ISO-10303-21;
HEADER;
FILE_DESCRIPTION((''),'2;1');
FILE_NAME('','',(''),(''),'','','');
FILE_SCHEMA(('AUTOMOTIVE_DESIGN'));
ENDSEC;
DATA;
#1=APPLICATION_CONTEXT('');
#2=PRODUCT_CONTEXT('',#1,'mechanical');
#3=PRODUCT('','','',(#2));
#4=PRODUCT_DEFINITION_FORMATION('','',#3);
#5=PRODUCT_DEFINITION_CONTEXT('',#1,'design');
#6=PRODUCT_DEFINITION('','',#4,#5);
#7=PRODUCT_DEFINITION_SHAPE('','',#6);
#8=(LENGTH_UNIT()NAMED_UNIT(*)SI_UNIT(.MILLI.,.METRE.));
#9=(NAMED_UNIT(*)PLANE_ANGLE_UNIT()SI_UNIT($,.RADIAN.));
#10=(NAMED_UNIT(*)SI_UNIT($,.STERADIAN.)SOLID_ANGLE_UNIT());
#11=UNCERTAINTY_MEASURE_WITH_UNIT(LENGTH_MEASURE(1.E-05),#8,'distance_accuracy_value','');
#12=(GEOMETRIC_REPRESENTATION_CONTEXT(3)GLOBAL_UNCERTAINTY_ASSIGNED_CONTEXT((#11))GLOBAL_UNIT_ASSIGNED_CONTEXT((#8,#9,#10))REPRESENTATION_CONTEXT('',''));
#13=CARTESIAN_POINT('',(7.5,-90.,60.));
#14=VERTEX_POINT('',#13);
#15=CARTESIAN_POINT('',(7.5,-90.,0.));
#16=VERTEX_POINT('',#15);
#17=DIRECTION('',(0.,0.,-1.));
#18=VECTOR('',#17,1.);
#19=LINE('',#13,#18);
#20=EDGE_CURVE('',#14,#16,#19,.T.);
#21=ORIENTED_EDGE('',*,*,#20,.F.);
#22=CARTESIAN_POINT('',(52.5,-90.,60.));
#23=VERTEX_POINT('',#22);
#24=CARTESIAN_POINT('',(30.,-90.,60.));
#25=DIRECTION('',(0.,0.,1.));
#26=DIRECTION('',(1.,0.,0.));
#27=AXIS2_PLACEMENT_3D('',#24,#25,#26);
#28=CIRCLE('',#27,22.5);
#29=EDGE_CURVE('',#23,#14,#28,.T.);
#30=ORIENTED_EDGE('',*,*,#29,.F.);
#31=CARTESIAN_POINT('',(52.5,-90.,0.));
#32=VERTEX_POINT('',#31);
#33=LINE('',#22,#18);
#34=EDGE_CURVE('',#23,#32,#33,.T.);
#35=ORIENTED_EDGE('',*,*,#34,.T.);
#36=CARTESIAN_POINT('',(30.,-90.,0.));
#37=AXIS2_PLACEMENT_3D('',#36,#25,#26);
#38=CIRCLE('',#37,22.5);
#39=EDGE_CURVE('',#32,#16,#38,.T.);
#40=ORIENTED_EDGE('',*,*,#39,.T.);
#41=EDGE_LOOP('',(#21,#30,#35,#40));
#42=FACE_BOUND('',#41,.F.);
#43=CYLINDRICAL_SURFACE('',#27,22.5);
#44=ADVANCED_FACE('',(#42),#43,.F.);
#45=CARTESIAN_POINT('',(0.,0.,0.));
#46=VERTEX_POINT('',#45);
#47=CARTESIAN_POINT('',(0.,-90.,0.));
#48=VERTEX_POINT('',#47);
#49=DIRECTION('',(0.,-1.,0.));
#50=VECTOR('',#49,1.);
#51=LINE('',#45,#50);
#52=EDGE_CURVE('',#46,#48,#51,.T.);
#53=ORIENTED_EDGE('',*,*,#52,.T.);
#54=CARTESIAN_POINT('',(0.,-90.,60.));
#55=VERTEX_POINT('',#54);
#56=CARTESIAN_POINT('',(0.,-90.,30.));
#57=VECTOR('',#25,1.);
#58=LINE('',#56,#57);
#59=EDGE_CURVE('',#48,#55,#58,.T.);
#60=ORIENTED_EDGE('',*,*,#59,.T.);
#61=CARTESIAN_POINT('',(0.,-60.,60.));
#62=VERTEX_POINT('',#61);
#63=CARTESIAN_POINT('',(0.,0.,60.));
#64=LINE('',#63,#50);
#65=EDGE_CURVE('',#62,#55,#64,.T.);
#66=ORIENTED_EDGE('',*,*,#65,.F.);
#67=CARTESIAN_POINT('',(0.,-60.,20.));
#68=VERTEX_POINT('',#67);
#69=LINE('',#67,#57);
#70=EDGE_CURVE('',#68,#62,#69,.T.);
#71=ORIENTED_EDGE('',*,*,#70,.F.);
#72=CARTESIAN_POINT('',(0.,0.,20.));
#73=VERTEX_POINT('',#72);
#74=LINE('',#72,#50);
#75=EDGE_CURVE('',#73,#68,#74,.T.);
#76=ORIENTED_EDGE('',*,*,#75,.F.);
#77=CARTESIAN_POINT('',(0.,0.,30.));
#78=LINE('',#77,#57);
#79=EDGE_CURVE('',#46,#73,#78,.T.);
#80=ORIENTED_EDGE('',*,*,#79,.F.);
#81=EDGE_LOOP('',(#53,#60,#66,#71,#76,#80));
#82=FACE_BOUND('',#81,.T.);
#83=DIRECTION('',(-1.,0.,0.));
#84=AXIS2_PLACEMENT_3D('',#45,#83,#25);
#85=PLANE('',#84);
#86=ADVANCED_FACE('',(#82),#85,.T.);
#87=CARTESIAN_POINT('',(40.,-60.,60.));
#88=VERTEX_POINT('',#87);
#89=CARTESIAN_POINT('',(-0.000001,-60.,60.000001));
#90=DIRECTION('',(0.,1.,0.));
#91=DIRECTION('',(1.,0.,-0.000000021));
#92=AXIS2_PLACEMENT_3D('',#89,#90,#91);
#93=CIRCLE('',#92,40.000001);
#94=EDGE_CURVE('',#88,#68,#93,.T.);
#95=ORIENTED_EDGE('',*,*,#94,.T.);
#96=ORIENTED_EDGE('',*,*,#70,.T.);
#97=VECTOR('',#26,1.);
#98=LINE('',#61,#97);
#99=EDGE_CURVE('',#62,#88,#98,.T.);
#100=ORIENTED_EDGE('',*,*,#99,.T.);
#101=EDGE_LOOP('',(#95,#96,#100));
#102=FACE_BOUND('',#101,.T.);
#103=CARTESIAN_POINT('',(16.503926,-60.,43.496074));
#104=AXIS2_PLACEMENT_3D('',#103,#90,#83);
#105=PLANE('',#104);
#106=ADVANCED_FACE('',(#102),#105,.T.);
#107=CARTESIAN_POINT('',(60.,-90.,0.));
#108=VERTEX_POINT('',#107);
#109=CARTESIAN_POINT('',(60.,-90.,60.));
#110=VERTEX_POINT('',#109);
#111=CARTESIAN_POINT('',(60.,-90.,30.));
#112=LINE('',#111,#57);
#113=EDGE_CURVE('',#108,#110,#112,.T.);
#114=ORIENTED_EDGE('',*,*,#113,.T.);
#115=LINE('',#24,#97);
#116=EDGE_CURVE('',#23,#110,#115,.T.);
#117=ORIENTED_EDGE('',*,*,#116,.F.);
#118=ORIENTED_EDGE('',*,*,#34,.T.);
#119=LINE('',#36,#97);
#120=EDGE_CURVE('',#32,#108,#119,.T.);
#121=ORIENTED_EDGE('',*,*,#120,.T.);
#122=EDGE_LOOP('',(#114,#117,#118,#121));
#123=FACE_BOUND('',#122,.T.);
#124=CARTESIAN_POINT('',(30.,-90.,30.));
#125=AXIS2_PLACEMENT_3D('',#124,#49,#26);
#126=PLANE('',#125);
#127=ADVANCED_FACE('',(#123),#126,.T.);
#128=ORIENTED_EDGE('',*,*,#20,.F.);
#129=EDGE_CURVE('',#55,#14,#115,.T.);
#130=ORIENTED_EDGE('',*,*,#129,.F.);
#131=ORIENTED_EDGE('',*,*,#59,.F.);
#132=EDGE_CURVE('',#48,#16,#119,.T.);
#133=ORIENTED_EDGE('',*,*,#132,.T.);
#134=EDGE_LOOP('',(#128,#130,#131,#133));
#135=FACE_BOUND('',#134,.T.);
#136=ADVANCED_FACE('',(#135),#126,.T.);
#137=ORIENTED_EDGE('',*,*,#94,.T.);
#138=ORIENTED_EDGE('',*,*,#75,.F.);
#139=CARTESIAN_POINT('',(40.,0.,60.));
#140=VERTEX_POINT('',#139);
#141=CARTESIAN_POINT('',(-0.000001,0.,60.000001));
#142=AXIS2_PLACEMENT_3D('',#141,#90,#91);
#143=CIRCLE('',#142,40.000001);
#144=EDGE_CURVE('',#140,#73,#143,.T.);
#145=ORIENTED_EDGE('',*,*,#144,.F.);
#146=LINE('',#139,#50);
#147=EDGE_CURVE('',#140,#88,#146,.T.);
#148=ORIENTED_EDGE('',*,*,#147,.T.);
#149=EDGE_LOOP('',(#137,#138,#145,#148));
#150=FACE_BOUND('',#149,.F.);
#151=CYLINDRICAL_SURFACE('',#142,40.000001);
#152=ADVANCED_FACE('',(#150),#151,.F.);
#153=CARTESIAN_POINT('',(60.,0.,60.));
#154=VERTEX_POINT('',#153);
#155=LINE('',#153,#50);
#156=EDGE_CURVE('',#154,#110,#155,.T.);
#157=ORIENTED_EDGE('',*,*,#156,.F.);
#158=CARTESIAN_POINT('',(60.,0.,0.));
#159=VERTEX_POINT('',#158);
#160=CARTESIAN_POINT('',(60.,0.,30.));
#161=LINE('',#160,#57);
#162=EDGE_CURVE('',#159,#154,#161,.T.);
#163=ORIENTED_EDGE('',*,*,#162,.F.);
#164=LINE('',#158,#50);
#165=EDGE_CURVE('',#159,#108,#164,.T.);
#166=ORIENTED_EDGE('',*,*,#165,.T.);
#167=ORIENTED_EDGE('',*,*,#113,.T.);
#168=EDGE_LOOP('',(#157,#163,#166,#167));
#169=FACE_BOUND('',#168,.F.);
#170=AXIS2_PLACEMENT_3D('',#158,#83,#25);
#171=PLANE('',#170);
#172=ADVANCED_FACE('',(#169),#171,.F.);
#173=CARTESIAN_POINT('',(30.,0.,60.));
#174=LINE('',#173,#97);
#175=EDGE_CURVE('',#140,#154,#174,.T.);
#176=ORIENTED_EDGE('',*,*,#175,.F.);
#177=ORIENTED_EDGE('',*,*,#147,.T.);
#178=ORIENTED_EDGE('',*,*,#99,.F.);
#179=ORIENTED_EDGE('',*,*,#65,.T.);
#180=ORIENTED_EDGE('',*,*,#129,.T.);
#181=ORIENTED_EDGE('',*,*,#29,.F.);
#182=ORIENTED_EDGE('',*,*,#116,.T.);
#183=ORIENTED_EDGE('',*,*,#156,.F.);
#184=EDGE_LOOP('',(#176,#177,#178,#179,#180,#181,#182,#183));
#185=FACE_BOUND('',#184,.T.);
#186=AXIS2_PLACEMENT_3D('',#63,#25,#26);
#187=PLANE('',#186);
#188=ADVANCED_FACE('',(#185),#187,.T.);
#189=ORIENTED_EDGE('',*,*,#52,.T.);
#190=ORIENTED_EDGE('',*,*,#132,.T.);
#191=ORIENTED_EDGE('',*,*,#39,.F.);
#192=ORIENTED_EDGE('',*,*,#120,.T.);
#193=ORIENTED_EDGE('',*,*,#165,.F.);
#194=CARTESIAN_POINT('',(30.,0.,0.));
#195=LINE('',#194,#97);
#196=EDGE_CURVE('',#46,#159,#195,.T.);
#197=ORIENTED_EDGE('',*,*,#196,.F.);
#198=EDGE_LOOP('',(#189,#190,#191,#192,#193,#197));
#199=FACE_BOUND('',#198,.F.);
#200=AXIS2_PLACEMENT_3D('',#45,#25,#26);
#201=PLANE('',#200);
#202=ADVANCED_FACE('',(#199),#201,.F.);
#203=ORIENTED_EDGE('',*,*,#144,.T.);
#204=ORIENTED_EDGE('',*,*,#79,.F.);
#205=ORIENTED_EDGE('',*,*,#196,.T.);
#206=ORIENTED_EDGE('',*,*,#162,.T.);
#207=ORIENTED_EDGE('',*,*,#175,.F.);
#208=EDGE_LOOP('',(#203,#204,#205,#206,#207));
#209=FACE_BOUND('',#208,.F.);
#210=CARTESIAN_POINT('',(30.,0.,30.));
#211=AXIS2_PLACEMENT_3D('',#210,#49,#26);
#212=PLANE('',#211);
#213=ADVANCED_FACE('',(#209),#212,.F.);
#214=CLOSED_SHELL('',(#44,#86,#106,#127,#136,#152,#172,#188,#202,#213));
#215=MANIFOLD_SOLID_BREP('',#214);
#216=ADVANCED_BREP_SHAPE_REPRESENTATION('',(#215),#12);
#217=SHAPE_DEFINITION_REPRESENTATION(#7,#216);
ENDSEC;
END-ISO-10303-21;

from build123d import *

# Parameters (mm, degrees)
F0_W     = 60
F0_H     = 60
F1_DEPTH = 90
F3_DEPTH = 74.5
F5_DEPTH = 60


with BuildPart() as f1:
    # F0 (on Front) → F1 (new body)
    with BuildSketch(Plane.XZ):
        with Locations((30, 30)):
            Rectangle(F0_W, F0_H)
    extrude(amount=F1_DEPTH)

    # F2 (on face) → F3 (cut)
    with BuildSketch(Plane.XY.offset(60)):
        with BuildLine():
            Line((7.5, -90), (52.5, -90))
            ThreePointArc((52.5, -90), (30, -67.5), (7.5, -90))
        make_face()
    extrude(amount=-F3_DEPTH, mode=Mode.SUBTRACT)

    # F4 (on face) → F5 (cut)
    with BuildSketch(Plane(origin=(0, 0, 0), x_dir=(-1, 0, 0), z_dir=(0, 1, 0))):
        with BuildLine():
            Line((0, 60), (-40, 60))
            ThreePointArc((-40, 60), (-28.284271, 31.715729), (0, 20))
            Line((0, 20), (0, 60))
        make_face()
    extrude(amount=-F5_DEPTH, mode=Mode.SUBTRACT)


solid = f1.part
